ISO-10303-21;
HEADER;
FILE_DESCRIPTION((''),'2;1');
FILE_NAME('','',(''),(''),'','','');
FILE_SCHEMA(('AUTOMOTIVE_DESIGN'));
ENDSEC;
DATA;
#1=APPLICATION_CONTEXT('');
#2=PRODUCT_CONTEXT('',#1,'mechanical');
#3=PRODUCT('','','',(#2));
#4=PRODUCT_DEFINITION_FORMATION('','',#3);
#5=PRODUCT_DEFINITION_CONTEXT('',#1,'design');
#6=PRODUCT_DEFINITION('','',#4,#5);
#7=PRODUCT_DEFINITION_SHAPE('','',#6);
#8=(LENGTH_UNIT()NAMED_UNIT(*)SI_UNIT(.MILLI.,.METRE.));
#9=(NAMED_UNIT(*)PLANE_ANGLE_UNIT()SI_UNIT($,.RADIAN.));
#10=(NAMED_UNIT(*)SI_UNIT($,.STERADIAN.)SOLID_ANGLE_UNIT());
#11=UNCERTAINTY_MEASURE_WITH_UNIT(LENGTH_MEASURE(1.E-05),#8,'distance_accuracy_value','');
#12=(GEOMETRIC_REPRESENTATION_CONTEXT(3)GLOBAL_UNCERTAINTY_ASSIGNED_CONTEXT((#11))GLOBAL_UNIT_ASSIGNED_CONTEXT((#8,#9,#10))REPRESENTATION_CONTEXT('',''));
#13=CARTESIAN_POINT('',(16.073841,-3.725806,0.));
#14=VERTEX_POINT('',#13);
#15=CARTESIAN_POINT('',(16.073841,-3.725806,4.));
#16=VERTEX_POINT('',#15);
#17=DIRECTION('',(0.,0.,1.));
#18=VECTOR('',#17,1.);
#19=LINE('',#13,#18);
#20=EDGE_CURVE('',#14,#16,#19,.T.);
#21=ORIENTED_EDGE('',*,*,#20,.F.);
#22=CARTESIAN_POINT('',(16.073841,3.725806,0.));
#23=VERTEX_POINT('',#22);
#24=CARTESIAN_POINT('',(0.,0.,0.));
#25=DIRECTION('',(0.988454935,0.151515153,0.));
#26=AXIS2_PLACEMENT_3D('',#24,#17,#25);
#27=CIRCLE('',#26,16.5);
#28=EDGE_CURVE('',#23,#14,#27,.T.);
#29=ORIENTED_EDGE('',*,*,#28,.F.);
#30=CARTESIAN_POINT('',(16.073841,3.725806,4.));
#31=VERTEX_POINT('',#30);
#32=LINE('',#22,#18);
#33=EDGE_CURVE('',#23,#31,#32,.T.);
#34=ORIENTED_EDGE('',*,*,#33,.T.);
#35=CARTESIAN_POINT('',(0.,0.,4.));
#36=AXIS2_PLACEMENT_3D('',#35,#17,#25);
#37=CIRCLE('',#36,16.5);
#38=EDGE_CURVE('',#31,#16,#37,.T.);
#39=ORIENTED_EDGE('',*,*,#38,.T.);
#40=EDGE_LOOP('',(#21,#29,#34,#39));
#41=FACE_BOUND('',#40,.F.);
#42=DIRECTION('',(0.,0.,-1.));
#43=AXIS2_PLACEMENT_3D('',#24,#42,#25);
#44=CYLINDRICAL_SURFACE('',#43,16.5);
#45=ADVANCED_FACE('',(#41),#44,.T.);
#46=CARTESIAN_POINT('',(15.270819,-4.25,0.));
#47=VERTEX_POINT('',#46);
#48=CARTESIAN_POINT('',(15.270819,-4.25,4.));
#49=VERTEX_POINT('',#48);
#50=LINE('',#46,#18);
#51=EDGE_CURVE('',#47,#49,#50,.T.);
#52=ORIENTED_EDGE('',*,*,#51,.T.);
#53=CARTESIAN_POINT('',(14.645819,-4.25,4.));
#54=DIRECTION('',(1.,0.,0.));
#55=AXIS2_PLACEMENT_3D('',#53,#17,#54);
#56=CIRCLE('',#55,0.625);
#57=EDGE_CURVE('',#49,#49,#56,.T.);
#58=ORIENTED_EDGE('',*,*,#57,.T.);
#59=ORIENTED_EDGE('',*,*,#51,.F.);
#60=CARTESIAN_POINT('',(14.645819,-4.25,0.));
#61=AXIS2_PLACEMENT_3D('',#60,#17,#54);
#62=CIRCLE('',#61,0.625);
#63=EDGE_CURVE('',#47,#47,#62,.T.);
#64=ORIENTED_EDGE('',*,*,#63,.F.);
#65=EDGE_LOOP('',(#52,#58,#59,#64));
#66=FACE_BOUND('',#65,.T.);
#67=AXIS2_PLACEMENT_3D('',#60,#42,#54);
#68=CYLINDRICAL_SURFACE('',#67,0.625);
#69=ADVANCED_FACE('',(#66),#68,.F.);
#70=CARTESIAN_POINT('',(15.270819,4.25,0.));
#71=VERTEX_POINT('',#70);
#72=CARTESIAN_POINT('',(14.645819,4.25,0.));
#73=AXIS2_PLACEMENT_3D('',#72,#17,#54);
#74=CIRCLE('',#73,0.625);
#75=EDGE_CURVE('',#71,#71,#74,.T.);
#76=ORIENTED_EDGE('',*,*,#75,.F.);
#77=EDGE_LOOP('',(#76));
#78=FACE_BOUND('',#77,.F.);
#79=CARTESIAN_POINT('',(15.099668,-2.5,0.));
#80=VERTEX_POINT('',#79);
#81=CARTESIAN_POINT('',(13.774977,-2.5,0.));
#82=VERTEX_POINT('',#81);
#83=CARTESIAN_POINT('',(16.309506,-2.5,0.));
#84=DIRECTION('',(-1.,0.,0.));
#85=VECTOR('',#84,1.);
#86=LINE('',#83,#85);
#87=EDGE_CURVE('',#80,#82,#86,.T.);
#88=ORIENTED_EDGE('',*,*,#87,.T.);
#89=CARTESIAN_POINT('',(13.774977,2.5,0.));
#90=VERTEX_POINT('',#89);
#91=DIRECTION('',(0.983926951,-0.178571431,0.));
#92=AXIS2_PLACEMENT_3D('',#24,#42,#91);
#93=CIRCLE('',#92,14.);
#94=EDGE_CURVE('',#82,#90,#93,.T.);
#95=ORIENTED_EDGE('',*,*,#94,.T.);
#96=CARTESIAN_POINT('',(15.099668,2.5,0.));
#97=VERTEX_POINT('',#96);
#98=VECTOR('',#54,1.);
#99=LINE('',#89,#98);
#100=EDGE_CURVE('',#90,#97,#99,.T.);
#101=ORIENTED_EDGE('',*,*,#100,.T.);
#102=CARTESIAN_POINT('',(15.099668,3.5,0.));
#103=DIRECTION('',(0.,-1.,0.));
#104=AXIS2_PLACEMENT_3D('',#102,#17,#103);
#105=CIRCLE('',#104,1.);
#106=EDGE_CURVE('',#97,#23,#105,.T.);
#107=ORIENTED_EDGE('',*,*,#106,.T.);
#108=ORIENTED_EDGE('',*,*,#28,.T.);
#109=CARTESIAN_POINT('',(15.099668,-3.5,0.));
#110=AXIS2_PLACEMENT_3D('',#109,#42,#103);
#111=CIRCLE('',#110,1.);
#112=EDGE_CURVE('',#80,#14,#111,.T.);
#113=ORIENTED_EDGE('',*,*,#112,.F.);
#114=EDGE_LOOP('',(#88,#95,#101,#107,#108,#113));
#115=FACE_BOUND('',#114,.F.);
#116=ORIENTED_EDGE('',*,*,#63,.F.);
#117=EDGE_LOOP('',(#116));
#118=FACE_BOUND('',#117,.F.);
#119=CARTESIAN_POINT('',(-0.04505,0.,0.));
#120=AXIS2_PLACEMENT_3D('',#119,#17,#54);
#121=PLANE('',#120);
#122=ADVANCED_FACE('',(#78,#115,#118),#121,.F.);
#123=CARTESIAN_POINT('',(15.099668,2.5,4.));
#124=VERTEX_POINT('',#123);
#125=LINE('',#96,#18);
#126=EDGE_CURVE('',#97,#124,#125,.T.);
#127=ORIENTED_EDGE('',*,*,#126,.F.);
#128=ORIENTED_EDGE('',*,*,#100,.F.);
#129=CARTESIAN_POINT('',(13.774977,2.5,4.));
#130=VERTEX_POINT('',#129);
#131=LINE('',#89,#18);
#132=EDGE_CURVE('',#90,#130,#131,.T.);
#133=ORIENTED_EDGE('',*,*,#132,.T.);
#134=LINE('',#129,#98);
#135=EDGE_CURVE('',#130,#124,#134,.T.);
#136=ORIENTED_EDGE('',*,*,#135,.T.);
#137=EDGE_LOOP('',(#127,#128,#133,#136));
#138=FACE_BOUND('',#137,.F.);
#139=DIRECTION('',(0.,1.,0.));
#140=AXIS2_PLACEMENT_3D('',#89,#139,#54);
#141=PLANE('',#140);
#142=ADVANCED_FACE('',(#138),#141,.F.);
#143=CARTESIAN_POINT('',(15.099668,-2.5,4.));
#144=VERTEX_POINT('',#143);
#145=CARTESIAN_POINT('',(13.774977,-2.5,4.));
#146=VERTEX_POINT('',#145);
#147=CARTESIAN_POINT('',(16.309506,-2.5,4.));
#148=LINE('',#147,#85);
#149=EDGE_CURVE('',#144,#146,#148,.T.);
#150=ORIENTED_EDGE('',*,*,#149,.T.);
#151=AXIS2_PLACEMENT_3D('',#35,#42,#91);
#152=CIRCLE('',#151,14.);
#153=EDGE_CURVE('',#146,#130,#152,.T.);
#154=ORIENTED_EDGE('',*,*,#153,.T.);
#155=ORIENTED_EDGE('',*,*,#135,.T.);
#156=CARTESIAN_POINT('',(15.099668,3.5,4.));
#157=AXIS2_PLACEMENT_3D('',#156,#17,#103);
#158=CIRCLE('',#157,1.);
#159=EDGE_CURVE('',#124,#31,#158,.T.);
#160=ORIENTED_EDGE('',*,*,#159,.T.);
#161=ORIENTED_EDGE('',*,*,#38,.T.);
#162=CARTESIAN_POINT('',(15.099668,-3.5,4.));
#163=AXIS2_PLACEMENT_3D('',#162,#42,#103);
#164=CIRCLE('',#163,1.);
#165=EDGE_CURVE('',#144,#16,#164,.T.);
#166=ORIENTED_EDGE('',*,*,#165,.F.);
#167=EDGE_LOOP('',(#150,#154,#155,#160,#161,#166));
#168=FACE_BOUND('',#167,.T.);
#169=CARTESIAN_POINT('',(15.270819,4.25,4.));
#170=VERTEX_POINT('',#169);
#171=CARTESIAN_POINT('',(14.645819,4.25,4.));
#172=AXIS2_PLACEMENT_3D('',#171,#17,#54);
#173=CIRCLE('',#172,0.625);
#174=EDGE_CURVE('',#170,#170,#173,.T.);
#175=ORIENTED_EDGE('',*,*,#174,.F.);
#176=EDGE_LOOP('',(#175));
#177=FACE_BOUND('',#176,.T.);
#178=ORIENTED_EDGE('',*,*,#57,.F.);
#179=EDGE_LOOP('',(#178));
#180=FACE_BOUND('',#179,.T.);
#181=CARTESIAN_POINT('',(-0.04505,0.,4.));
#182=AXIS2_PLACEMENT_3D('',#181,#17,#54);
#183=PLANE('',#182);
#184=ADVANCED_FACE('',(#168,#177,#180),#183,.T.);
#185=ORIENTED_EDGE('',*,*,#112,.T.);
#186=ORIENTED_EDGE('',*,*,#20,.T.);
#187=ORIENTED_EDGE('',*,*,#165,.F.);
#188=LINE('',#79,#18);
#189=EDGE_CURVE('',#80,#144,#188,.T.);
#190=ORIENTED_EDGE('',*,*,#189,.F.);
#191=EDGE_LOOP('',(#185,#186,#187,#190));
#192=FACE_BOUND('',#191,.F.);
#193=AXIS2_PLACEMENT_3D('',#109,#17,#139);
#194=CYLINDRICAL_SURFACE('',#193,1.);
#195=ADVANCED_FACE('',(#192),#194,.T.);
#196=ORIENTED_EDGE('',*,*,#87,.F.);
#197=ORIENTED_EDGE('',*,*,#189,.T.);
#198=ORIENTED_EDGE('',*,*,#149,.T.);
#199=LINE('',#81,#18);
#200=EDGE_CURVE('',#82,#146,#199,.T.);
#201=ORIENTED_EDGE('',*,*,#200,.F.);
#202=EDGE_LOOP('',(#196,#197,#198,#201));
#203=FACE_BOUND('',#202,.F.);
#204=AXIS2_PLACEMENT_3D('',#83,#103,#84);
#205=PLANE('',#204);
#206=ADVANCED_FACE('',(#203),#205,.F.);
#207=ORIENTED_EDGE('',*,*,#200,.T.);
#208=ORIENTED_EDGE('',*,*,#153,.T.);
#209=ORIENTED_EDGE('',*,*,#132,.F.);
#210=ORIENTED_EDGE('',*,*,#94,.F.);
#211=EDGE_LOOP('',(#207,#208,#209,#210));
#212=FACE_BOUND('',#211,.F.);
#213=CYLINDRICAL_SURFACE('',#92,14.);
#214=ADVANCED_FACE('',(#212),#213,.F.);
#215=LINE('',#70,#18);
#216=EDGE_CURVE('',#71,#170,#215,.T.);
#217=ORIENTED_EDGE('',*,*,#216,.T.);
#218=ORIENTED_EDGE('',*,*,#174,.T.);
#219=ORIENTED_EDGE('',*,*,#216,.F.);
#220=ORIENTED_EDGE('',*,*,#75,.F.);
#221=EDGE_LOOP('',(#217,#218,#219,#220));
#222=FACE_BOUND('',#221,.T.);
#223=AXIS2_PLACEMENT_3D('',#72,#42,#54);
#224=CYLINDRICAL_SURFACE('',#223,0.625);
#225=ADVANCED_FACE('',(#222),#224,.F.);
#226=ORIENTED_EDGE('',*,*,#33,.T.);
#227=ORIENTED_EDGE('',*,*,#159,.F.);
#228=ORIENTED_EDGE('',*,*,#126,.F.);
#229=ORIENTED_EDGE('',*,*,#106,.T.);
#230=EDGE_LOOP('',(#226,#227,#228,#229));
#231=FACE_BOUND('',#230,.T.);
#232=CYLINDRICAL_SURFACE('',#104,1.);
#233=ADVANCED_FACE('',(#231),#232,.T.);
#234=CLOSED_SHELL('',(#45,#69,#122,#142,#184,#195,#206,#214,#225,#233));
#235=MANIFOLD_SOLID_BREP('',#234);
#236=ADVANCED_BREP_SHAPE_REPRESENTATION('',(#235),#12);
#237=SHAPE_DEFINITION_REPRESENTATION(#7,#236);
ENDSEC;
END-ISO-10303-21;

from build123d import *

# Parameters (mm, degrees)
F0_R     = 0.625
F1_DEPTH = 4
F2_R     = 1


with BuildPart() as f1:
    # F0 (on Top) → F1 (new body)
    with BuildSketch(Plane.XY):
        with BuildLine():
            ThreePointArc((13.774977, -2.5), (-14, 0), (13.774977, 2.5))
            Line((13.774977, 2.5), (16.309506, 2.5))
            ThreePointArc((16.309506, 2.5), (-16.5, 0), (16.309506, -2.5))
            Line((16.309506, -2.5), (13.774977, -2.5))
        make_face()
        with Locations((14.645819, -4.25)):
            Circle(F0_R, mode=Mode.SUBTRACT)
        with Locations((14.645819, 4.25)):
            Circle(F0_R, mode=Mode.SUBTRACT)
    extrude(amount=F1_DEPTH)

    # F2
    f2_edges = [f1.edges().sort_by_distance(p)[0] for p in [
        (16.309506, 2.5, 2),
        (16.309506, -2.5, 2),
    ]]
    fillet(f2_edges, radius=F2_R)


solid = f1.part
